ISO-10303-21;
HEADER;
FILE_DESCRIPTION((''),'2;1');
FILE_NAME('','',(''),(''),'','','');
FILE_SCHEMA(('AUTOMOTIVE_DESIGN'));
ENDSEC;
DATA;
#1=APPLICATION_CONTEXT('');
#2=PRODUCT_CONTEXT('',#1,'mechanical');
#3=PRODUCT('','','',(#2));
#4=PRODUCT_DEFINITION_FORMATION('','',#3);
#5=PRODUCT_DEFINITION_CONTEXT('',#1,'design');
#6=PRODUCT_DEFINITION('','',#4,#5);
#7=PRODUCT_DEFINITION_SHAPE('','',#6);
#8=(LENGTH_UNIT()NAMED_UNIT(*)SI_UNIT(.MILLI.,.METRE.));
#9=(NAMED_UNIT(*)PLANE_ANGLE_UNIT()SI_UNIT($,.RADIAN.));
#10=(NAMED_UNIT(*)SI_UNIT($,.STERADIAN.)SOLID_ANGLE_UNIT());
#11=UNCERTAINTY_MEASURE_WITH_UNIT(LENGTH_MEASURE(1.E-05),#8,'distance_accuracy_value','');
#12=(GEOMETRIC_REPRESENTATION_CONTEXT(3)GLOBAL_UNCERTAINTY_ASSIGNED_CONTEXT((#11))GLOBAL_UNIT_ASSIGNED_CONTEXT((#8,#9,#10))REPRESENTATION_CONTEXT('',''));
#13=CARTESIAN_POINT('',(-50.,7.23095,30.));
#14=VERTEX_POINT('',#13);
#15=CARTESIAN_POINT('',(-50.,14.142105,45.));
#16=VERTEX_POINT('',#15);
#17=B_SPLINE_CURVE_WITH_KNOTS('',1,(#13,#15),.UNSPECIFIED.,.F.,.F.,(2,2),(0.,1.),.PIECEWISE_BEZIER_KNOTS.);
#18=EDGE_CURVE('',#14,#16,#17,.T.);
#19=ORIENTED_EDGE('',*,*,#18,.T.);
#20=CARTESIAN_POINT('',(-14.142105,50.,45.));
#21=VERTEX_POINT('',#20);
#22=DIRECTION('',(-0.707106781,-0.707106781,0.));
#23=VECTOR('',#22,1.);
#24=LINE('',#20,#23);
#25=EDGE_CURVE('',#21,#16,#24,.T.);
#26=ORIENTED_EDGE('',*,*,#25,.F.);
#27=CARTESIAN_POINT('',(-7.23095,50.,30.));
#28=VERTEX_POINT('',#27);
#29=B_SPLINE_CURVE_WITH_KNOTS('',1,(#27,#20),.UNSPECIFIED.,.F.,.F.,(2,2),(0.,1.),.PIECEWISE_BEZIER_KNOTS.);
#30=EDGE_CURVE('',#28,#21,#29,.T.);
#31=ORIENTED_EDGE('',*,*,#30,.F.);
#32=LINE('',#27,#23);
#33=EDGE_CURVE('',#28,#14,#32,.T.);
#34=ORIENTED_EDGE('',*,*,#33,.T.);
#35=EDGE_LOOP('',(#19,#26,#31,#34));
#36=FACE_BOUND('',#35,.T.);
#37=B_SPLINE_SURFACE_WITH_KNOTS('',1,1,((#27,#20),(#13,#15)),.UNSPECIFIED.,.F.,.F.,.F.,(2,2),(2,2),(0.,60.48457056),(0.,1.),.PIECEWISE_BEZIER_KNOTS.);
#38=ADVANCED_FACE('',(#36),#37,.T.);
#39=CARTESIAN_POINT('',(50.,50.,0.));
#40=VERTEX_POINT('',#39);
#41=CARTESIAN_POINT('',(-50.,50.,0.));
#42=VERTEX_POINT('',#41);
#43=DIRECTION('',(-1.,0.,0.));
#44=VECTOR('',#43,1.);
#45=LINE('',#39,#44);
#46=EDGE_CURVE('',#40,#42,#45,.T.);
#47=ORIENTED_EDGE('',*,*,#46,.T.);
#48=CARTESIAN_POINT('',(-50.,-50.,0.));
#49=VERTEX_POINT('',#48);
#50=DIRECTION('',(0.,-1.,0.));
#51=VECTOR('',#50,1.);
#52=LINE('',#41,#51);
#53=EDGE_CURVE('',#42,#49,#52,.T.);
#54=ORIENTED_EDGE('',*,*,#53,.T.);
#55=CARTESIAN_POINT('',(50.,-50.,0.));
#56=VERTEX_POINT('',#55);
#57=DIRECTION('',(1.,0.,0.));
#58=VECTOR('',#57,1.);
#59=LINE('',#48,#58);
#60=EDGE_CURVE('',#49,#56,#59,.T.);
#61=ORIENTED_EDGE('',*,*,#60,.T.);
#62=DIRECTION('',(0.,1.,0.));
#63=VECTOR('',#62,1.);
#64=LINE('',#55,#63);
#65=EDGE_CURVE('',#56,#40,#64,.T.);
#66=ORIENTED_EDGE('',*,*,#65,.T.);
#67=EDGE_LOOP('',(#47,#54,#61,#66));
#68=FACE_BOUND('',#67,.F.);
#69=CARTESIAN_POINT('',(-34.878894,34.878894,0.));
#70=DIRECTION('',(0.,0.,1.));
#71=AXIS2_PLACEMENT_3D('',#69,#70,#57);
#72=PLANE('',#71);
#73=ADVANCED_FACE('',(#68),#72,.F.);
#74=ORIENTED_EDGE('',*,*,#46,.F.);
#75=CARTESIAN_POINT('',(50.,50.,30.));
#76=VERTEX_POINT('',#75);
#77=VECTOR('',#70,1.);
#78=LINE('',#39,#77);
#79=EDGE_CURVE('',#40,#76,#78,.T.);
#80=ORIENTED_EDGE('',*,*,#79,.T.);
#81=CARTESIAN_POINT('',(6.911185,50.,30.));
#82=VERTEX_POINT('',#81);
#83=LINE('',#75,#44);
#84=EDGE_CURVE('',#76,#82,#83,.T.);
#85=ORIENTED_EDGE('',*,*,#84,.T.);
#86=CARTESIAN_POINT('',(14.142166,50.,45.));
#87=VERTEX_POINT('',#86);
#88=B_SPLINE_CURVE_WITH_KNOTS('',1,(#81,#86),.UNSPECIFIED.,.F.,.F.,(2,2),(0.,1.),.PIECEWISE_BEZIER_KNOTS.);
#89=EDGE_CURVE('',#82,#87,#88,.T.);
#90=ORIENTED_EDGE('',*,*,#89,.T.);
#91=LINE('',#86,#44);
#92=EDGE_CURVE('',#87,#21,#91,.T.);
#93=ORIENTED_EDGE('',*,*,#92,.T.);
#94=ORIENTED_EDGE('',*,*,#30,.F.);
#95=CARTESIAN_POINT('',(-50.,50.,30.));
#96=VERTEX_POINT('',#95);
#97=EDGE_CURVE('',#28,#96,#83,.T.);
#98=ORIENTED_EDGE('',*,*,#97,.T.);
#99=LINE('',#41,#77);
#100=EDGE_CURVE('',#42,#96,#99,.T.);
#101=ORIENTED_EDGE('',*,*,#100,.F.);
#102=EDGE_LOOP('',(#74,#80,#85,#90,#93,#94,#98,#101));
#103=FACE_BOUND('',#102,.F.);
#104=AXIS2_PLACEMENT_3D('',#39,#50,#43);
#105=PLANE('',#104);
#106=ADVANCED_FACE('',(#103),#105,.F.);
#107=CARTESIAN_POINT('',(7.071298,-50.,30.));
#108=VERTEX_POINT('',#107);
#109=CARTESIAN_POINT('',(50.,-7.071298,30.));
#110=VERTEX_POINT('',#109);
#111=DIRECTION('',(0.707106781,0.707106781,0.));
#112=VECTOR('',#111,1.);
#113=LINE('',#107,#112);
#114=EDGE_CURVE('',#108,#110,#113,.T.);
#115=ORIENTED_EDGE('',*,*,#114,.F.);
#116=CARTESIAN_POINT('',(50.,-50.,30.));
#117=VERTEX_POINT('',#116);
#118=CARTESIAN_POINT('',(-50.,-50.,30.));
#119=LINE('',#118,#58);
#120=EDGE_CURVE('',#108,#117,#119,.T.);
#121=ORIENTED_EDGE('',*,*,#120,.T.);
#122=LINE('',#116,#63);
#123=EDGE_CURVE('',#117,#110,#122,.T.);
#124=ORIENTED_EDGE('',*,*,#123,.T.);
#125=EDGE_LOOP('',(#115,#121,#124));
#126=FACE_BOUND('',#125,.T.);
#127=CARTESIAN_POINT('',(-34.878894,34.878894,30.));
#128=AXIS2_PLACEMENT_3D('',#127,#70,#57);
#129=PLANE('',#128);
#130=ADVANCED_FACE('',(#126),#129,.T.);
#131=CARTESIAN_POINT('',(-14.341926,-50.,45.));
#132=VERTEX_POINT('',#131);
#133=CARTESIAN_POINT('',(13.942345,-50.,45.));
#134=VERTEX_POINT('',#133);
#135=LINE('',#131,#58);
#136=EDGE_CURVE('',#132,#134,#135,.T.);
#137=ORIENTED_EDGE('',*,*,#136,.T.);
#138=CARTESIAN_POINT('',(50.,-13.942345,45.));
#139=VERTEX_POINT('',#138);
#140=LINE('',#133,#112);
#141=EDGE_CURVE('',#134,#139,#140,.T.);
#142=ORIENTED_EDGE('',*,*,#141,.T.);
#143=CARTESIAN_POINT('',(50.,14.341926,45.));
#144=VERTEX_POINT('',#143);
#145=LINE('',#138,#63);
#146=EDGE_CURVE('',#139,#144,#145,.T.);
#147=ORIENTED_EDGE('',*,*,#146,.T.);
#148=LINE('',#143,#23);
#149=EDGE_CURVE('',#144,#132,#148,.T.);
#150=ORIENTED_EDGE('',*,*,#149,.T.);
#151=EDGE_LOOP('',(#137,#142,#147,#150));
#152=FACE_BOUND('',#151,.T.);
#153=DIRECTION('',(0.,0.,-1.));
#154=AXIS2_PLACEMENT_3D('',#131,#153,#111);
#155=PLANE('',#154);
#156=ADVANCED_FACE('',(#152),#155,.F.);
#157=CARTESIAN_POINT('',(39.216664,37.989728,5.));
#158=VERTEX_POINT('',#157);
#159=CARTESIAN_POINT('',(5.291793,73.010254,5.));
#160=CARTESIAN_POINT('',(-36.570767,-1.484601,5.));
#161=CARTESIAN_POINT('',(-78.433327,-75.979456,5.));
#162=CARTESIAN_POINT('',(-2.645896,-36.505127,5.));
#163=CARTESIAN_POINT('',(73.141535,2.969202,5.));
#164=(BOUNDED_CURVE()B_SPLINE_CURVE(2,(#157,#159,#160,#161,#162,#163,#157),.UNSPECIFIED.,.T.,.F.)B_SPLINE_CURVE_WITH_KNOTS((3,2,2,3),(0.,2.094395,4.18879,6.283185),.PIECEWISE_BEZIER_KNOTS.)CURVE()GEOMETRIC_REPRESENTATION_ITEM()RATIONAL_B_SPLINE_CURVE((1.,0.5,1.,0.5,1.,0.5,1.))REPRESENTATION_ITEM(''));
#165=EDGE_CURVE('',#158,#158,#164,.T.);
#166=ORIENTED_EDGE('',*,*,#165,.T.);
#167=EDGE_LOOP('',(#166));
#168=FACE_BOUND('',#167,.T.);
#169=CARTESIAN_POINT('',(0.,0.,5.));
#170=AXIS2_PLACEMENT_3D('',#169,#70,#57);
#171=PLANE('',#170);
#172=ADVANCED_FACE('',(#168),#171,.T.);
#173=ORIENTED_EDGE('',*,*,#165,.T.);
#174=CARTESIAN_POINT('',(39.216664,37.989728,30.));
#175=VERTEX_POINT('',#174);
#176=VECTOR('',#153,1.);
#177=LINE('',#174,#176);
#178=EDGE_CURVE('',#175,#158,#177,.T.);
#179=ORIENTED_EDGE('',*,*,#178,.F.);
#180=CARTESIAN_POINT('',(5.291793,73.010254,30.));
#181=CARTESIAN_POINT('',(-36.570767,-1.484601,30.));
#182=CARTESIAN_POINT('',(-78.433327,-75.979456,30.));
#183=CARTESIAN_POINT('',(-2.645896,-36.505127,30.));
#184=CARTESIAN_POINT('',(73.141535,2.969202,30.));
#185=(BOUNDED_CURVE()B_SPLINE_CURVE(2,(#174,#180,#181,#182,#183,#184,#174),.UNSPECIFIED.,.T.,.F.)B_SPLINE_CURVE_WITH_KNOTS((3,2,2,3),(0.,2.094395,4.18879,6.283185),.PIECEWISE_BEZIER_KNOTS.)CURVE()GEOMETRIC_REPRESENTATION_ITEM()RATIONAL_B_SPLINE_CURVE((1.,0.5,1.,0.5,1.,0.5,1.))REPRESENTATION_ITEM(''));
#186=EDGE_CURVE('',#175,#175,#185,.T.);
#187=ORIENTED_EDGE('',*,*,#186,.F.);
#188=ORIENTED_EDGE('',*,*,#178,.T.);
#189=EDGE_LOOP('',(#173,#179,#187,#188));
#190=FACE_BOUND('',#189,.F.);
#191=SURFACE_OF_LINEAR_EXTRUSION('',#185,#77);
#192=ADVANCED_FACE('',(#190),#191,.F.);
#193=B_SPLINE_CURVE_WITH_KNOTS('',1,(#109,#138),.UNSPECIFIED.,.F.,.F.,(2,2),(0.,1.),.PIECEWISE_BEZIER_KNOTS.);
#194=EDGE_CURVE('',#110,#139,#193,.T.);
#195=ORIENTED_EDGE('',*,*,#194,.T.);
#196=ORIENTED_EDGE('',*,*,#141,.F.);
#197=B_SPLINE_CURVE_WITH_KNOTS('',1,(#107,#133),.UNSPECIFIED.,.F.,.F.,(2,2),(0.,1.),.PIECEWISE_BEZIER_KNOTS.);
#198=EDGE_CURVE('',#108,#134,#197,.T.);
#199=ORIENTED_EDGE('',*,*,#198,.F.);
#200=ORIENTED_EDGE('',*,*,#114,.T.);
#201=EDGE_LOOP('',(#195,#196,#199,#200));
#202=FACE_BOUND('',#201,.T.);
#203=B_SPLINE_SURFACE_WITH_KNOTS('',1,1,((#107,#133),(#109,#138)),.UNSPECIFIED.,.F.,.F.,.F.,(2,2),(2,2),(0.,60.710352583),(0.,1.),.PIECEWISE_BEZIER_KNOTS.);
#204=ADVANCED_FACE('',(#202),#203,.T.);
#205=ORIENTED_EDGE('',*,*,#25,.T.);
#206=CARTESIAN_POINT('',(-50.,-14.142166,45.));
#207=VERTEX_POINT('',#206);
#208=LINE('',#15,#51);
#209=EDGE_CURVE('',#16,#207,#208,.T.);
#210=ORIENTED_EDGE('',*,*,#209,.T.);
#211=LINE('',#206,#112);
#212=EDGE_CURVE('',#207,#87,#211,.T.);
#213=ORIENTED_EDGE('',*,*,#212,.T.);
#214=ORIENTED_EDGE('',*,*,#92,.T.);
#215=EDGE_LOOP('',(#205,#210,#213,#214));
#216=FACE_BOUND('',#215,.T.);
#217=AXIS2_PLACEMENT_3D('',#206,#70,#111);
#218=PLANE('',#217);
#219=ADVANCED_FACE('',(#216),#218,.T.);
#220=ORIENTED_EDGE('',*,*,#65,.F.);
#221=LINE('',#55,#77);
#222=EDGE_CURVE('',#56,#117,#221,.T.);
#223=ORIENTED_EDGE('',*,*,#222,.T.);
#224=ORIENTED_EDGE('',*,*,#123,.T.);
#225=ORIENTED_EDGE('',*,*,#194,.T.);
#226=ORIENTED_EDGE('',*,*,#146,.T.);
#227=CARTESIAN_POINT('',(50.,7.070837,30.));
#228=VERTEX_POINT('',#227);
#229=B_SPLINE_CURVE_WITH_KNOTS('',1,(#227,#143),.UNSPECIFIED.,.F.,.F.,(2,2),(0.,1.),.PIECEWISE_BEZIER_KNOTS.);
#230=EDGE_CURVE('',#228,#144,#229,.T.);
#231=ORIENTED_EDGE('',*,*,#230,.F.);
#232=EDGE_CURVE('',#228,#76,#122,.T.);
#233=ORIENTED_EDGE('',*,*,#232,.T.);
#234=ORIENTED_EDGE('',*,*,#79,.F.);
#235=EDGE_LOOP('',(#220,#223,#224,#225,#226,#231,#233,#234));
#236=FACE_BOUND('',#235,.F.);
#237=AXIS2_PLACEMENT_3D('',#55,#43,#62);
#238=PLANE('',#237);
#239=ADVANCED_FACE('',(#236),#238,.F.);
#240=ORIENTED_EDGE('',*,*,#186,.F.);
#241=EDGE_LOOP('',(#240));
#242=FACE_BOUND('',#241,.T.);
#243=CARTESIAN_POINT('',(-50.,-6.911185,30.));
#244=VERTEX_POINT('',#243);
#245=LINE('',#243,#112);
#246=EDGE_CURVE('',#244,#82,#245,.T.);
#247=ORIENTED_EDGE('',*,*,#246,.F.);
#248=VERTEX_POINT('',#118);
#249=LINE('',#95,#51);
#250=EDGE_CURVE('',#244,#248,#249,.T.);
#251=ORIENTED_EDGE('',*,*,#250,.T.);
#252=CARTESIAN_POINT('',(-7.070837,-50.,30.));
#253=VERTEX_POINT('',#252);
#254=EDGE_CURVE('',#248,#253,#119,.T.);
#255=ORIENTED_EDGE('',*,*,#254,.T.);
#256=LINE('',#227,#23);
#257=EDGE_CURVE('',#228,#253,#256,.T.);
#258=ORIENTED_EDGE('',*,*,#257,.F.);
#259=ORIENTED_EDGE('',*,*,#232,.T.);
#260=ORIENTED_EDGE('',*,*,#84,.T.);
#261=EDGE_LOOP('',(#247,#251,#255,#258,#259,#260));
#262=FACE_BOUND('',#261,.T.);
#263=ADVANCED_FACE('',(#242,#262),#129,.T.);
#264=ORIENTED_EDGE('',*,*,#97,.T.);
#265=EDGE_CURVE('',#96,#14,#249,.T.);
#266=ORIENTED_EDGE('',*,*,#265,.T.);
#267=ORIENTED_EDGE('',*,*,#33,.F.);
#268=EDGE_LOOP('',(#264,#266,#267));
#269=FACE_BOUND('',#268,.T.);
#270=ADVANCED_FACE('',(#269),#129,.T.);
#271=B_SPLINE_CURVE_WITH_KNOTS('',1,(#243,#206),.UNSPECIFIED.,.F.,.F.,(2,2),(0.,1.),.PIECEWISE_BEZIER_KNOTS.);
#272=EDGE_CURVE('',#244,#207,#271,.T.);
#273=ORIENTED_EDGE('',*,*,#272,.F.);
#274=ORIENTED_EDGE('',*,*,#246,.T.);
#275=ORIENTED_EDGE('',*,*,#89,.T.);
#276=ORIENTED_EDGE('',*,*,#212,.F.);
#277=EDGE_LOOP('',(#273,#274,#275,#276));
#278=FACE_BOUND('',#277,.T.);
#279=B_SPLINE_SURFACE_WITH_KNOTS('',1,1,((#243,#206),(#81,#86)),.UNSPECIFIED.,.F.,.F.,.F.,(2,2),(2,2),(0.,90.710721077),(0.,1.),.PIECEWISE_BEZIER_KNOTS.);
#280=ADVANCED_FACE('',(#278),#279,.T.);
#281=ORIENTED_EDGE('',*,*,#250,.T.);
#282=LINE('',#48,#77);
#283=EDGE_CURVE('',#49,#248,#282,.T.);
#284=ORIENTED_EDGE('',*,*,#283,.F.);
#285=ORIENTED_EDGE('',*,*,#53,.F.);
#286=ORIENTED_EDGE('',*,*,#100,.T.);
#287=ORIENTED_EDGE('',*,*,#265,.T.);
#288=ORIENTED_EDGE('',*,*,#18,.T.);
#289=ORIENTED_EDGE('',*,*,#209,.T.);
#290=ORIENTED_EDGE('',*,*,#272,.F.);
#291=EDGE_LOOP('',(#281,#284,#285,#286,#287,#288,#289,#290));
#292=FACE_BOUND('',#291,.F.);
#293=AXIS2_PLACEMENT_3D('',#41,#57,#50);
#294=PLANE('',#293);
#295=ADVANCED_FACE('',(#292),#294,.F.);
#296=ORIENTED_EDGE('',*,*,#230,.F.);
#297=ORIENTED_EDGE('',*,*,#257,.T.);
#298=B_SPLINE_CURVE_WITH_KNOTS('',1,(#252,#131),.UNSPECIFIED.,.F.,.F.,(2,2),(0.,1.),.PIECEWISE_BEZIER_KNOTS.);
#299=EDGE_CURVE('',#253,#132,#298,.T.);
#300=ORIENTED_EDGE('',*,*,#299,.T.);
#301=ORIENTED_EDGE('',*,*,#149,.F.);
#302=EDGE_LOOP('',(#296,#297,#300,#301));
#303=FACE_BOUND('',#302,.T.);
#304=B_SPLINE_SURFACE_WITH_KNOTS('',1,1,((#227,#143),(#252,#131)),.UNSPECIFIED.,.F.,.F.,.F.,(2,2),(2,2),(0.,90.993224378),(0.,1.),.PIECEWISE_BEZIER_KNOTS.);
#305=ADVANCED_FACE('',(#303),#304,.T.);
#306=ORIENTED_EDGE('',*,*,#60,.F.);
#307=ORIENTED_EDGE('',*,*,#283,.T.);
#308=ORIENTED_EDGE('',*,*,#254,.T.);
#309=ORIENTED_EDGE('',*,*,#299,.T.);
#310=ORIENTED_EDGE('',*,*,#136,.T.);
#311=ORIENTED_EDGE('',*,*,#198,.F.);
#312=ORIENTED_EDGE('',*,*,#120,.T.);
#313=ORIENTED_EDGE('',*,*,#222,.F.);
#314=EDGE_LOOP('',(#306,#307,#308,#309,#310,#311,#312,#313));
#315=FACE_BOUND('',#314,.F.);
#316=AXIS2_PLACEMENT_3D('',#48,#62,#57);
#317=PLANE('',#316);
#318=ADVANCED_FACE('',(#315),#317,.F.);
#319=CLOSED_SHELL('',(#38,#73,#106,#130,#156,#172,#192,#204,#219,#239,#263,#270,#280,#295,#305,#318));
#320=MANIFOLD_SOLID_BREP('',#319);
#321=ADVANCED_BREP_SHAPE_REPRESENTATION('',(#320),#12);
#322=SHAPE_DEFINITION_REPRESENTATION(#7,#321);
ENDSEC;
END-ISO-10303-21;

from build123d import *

# Parameters (mm, degrees)
F1_DEPTH = 30
F8_DEPTH = 25


with BuildPart() as f1:
    # F0 (on Top) → F1 (new body)
    with BuildSketch(Plane.XY):
        Polygon((-7.231055, 50), (-50, 50), (-50, 7.231055), align=None)
        Polygon((50, -50), (50, -7.071068), (7.071068, -50), align=None)
        Polygon((50, 50), (6.91108, 50), (-46.624454, -3.535534), (-50, -6.91108), (-50, -50), (-7.071068, -50), (46.464466, 3.535534), (50, 7.071068), align=None)
        Polygon((6.91108, 50), (-7.231055, 50), (-50, 7.231055), (-50, -6.91108), (-46.624454, -3.535534), align=None)
        Polygon((50, -7.071068), (50, 7.071068), (46.464466, 3.535534), (-7.071068, -50), (7.071068, -50), align=None)
    extrude(amount=F1_DEPTH)

    # F3 (on offset) → F6 section 0
    with BuildSketch(Plane.XY.offset(30)):
        Polygon((-50, -6.911185), (6.911185, 50), (-7.23095, 50), (-50, 7.23095), align=None)
    # F5 (on offset) → F6 section 1
    with BuildSketch(Plane.XY.offset(45)):
        Polygon((14.142166, 50), (-14.142105, 50), (-50, 14.142105), (-50, -14.142166), align=None)
    loft()

    # F3 (on offset) → F7 section 0
    with BuildSketch(Plane.XY.offset(30)):
        Polygon((-7.070837, -50), (7.071298, -50), (50, -7.071298), (50, 7.070837), align=None)
    # F5 (on offset) → F7 section 1
    with BuildSketch(Plane.XY.offset(45)):
        Polygon((50, -13.942345), (50, 14.341926), (-14.341926, -50), (13.942345, -50), align=None)
    loft()

    # F3 (on offset) → F8 (cut)
    with BuildSketch(Plane.XY.offset(30)):
        with BuildLine():
            add(Edge.make_bspline(
                [(39.216664, 37.989728), (5.291793, 73.010254), (-36.570767, -1.484601), (-78.433327, -75.979456), (-2.645896, -36.505127), (73.141535, 2.969202), (39.216664, 37.989728)],
                knots=[0, 0, 0, 2.094395, 2.094395, 4.18879, 4.18879, 6.283185, 6.283185, 6.283185], degree=2, weights=[1, 0.5, 1, 0.5, 1, 0.5, 1]))
        make_face()
    extrude(amount=-F8_DEPTH, mode=Mode.SUBTRACT)


solid = f1.part
